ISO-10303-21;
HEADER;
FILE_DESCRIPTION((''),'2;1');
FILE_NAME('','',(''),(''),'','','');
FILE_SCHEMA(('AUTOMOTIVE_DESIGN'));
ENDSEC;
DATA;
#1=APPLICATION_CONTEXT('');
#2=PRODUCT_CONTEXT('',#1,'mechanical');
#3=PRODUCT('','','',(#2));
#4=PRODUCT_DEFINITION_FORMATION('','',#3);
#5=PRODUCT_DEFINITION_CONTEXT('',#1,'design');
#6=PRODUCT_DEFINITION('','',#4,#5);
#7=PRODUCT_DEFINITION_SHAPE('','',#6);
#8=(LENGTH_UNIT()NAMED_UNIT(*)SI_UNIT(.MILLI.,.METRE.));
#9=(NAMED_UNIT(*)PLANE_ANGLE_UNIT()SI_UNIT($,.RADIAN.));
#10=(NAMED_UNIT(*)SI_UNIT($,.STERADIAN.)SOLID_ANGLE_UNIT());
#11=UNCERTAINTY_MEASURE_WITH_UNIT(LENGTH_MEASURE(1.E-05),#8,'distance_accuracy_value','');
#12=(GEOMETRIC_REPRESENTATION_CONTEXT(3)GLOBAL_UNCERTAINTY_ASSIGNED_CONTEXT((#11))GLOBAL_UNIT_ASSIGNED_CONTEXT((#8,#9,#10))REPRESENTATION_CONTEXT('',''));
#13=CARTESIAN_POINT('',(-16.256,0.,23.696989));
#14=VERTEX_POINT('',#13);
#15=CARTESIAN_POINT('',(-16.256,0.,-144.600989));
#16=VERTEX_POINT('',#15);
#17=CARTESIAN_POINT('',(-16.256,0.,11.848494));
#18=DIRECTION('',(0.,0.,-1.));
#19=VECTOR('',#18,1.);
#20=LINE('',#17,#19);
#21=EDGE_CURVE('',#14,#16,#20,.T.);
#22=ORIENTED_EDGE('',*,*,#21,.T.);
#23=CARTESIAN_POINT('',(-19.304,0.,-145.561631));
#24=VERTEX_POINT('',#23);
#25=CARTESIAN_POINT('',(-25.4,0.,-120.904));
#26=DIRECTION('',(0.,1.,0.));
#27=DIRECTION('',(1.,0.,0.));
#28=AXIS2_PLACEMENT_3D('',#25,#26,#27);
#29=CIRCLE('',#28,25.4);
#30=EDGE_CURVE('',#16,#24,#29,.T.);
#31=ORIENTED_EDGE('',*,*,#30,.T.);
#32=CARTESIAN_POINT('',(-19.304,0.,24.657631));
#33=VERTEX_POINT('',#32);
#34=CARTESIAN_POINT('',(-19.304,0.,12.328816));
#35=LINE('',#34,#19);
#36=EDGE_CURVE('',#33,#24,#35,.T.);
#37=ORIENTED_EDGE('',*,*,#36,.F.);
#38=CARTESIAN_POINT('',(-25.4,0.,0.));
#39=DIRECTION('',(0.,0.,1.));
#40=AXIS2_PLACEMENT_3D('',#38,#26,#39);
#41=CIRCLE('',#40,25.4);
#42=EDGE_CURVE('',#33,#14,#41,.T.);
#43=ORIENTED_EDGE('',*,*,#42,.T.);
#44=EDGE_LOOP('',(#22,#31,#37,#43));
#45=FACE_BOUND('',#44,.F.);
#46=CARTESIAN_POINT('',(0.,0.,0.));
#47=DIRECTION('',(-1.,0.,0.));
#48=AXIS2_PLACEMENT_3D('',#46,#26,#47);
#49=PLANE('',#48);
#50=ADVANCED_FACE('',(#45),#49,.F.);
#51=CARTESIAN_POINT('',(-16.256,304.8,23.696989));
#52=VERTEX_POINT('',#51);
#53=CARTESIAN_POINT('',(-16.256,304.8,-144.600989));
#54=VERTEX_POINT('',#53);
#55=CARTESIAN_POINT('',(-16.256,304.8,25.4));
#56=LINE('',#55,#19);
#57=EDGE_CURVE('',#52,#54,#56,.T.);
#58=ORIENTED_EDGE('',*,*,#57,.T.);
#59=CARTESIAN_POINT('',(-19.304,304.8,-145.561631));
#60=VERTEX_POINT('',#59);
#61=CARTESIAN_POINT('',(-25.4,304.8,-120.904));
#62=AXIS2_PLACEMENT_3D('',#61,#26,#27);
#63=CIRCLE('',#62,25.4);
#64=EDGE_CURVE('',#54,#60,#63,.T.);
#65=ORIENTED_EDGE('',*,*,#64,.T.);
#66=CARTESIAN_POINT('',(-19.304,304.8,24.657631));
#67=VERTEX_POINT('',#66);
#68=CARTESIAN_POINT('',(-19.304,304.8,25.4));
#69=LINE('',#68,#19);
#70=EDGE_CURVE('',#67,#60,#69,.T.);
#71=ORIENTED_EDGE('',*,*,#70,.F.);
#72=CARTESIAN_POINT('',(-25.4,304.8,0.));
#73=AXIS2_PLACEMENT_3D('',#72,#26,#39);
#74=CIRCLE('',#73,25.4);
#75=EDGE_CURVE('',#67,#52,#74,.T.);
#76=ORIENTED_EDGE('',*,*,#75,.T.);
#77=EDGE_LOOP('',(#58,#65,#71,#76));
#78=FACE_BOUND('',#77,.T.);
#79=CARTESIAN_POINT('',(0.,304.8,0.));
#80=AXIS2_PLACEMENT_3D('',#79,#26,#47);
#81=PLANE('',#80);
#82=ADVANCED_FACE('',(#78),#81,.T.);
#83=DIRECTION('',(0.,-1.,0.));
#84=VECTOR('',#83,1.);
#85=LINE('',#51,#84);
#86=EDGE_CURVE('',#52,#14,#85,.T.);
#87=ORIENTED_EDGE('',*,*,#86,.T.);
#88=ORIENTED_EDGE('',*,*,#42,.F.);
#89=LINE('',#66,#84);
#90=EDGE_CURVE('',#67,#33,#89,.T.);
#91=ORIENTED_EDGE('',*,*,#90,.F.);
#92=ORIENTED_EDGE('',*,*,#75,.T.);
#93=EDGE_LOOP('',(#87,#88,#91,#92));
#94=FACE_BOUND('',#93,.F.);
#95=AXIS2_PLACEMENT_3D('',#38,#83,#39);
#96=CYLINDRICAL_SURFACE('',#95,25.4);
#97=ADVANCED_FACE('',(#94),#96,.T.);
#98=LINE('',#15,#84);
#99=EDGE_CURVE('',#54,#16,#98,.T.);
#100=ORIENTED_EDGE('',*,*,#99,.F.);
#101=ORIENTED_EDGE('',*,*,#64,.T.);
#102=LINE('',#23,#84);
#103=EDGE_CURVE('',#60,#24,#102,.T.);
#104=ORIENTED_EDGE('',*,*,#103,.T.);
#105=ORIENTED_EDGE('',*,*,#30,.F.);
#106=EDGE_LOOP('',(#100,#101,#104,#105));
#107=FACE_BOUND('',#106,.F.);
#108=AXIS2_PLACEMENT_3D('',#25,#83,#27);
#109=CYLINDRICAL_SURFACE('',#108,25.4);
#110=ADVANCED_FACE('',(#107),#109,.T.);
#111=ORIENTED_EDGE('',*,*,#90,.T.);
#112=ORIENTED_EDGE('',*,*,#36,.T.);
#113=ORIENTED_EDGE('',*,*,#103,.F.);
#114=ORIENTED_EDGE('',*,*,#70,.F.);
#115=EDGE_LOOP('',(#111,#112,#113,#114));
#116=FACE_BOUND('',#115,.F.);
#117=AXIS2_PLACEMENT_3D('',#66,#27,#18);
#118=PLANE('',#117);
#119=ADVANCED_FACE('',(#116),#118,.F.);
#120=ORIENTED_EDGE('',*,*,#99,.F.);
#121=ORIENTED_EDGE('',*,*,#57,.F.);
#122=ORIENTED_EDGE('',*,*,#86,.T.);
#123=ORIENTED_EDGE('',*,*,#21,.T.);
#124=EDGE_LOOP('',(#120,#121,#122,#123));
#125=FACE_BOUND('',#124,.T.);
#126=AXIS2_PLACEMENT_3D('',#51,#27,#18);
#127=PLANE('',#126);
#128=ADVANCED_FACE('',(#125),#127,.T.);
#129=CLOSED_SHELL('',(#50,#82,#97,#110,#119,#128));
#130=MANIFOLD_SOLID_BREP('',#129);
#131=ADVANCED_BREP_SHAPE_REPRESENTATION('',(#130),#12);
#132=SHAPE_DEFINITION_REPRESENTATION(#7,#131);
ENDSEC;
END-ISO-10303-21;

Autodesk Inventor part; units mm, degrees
ref_plane "YZ Plane" through (0, 0, 0) normal (1, 0, 0) x (0, 1, 0)
ref_plane "XZ Plane" through (0, 0, 0) normal (0, 1, 0) x (-1, 0, 0)
ref_plane "XY Plane" through (0, 0, 0) normal (0, 0, 1) x (1, 0, 0)
sketch "Sketch1" plane through (0, 0, 0) normal (0, 1, 0) x (-1, 0, 0)
  line L0 (0, 0) -> (25.4, 0)
  line L1 (25.4, 0) -> (25.4, -120.904)
  line L2 (25.4, -120.904) -> (0, -120.904)
  line L3 (0, -120.904) -> (0, 0)
  arc A0 (25.4, 25.4) -> (0, 0) centre (25.4, 0) ccw
  arc A1 (0, -120.904) -> (25.4, -146.304) centre (25.4, -120.904) ccw
  line L4 (25.4, 0) -> (25.4, 25.4)
  line L5 (25.4, -120.904) -> (25.4, -146.304)
  dimension "d0" = 25.4
  dimension "d1" = 120.904
extrude "Extrusion1" add sketch "Sketch1" along normal blind 304.8
sketch "Sketch3" plane through (0, 304.8, 0) normal (0, 1, 0) x (1, 0, 0)
  arc A0 (-25.4, -25.4) -> (0, 0) centre (-25.4, 0) ccw projected
  line L0 (-25.4, -25.4) -> (-19.304, -25.4)
  line L1 (-19.304, -25.4) -> (-19.304, 146.304)
  line L2 (-19.304, 146.304) -> (-25.4, 146.304)
  line L3 (-25.4, 146.304) -> (-25.4, -25.4)
  line L4 (-19.304, -25.4) -> (0, -25.4)
  line L5 (0, -25.4) -> (0, 146.304)
  line L6 (0, 146.304) -> (-19.304, 146.304)
  line L7 (-19.304, 146.304) -> (-19.304, -25.4)
  line L8 (0, 0) -> (0, 120.904) projected
  line L9 (-19.304, -25.4) -> (-16.256, -25.4)
  line L10 (-16.256, -25.4) -> (-16.256, 146.304)
  line L11 (-16.256, 146.304) -> (-19.304, 146.304)
  line L12 (-19.304, 146.304) -> (-19.304, -25.4)
  point P0 (-16.256, -23.697)
  point P1 (0, 0)
  point P2 (-19.304, -24.6576)
  dimension "d4" = 6.096
  dimension "d5" = 171.704
  dimension "d6" = 0
  dimension "d7" = 171.704
  dimension "d8" = 3.048
extrude "Extrusion2" cut sketch "Sketch3" against normal through all contours L3 L2 L1 A0 | L10 L6 L5 A0
properties part number "Battery_platform"
